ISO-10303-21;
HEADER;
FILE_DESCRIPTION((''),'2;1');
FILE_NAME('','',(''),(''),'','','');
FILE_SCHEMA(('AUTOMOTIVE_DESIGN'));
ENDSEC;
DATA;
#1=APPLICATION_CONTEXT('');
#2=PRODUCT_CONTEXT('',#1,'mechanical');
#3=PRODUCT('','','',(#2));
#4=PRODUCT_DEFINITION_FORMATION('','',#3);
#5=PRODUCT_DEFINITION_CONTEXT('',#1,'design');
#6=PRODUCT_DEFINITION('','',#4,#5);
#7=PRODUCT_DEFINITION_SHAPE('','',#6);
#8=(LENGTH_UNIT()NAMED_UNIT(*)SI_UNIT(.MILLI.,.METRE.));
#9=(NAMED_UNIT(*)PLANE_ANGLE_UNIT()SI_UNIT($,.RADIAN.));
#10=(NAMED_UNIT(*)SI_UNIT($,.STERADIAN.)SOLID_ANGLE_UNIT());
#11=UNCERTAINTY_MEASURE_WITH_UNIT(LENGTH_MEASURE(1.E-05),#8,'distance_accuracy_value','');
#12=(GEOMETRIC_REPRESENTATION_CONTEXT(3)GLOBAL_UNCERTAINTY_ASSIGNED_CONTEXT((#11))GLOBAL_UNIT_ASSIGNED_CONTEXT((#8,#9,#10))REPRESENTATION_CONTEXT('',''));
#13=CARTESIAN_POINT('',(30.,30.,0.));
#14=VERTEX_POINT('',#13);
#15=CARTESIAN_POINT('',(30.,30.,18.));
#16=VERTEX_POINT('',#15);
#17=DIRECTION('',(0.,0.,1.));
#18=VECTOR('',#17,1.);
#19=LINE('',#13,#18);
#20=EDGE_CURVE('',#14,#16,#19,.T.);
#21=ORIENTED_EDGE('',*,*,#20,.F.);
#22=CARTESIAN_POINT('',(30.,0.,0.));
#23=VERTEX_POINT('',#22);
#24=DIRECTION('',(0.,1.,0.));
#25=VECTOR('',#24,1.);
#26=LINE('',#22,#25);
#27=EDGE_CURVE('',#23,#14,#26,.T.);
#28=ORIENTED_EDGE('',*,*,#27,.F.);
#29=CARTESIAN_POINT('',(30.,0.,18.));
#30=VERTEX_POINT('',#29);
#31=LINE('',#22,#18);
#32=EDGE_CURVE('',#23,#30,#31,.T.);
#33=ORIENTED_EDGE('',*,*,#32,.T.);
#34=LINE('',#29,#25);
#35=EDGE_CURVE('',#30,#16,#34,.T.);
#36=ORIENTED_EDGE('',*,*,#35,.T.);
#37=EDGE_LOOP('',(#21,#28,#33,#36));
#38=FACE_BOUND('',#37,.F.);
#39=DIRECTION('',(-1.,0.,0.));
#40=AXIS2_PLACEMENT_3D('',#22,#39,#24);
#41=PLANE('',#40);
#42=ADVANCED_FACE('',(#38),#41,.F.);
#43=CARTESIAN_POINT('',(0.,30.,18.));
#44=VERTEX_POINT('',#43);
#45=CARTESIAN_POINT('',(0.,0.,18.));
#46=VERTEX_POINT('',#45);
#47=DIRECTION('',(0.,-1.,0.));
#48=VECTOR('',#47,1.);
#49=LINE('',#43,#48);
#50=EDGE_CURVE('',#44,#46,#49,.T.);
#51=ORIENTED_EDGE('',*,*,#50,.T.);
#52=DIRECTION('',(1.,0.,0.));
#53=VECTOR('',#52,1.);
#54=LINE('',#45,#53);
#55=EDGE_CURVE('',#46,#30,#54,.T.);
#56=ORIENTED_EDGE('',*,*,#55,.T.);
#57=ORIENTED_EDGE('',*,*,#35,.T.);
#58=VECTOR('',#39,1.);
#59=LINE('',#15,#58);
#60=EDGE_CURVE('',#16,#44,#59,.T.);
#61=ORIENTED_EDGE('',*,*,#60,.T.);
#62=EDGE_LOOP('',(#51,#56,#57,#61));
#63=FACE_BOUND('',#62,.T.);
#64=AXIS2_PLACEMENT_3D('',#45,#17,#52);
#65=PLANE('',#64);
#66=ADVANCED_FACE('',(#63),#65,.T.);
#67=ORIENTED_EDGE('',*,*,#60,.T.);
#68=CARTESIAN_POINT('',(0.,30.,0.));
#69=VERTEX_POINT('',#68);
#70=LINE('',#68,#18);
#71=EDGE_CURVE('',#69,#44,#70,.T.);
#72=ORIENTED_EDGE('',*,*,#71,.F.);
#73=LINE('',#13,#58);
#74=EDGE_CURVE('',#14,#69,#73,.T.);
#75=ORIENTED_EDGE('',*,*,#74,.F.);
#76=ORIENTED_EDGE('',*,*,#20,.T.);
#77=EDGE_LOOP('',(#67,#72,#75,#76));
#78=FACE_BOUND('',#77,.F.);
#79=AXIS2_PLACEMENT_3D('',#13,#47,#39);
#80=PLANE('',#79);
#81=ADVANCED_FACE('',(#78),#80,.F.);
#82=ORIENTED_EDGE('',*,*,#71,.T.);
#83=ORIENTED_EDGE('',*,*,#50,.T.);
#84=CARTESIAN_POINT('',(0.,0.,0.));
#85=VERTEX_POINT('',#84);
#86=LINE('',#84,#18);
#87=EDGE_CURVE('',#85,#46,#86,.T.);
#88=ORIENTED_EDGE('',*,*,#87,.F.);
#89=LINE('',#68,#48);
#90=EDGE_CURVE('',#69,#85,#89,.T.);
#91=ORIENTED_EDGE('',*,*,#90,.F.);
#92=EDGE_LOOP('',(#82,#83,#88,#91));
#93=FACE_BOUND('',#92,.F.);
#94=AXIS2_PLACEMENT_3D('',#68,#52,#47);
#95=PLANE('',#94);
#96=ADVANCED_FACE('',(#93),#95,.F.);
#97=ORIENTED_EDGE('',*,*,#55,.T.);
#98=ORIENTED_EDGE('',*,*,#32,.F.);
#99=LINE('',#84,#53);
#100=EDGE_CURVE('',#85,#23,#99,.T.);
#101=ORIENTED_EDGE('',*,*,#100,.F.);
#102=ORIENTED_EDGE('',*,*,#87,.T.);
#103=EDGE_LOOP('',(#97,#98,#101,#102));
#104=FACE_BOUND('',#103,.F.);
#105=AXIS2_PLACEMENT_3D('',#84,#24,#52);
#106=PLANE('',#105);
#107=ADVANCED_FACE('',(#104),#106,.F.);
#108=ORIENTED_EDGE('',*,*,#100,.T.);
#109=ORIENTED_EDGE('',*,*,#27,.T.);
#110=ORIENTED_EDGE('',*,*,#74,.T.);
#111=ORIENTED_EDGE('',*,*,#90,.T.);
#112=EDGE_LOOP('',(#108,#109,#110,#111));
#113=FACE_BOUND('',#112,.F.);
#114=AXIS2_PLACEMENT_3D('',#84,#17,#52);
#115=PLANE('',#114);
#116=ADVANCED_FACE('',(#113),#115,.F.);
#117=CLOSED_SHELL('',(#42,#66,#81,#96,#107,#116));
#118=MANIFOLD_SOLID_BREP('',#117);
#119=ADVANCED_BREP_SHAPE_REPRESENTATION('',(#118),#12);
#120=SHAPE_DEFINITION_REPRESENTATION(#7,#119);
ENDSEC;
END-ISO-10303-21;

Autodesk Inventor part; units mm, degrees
ref_plane "YZ Plane" through (0, 0, 0) normal (1, 0, 0) x (0, 1, 0)
ref_plane "XZ Plane" through (0, 0, 0) normal (0, 1, 0) x (-1, 0, 0)
ref_plane "XY Plane" through (0, 0, 0) normal (0, 0, 1) x (1, 0, 0)
sketch "Sketch1" plane through (0, 0, 0) normal (0, 0, 1) x (1, 0, 0)
  line L0 (0, 0) -> (30, 0)
  line L1 (30, 0) -> (30, 30)
  line L2 (30, 30) -> (0, 30)
  line L3 (0, 30) -> (0, 0)
  dimension "d0" = 30
  dimension "d1" = 30
extrude "Extrusion1" add sketch "Sketch1" along normal blind 18
properties part number "Hand - Functional Workspace" material "ABS Plastic"
